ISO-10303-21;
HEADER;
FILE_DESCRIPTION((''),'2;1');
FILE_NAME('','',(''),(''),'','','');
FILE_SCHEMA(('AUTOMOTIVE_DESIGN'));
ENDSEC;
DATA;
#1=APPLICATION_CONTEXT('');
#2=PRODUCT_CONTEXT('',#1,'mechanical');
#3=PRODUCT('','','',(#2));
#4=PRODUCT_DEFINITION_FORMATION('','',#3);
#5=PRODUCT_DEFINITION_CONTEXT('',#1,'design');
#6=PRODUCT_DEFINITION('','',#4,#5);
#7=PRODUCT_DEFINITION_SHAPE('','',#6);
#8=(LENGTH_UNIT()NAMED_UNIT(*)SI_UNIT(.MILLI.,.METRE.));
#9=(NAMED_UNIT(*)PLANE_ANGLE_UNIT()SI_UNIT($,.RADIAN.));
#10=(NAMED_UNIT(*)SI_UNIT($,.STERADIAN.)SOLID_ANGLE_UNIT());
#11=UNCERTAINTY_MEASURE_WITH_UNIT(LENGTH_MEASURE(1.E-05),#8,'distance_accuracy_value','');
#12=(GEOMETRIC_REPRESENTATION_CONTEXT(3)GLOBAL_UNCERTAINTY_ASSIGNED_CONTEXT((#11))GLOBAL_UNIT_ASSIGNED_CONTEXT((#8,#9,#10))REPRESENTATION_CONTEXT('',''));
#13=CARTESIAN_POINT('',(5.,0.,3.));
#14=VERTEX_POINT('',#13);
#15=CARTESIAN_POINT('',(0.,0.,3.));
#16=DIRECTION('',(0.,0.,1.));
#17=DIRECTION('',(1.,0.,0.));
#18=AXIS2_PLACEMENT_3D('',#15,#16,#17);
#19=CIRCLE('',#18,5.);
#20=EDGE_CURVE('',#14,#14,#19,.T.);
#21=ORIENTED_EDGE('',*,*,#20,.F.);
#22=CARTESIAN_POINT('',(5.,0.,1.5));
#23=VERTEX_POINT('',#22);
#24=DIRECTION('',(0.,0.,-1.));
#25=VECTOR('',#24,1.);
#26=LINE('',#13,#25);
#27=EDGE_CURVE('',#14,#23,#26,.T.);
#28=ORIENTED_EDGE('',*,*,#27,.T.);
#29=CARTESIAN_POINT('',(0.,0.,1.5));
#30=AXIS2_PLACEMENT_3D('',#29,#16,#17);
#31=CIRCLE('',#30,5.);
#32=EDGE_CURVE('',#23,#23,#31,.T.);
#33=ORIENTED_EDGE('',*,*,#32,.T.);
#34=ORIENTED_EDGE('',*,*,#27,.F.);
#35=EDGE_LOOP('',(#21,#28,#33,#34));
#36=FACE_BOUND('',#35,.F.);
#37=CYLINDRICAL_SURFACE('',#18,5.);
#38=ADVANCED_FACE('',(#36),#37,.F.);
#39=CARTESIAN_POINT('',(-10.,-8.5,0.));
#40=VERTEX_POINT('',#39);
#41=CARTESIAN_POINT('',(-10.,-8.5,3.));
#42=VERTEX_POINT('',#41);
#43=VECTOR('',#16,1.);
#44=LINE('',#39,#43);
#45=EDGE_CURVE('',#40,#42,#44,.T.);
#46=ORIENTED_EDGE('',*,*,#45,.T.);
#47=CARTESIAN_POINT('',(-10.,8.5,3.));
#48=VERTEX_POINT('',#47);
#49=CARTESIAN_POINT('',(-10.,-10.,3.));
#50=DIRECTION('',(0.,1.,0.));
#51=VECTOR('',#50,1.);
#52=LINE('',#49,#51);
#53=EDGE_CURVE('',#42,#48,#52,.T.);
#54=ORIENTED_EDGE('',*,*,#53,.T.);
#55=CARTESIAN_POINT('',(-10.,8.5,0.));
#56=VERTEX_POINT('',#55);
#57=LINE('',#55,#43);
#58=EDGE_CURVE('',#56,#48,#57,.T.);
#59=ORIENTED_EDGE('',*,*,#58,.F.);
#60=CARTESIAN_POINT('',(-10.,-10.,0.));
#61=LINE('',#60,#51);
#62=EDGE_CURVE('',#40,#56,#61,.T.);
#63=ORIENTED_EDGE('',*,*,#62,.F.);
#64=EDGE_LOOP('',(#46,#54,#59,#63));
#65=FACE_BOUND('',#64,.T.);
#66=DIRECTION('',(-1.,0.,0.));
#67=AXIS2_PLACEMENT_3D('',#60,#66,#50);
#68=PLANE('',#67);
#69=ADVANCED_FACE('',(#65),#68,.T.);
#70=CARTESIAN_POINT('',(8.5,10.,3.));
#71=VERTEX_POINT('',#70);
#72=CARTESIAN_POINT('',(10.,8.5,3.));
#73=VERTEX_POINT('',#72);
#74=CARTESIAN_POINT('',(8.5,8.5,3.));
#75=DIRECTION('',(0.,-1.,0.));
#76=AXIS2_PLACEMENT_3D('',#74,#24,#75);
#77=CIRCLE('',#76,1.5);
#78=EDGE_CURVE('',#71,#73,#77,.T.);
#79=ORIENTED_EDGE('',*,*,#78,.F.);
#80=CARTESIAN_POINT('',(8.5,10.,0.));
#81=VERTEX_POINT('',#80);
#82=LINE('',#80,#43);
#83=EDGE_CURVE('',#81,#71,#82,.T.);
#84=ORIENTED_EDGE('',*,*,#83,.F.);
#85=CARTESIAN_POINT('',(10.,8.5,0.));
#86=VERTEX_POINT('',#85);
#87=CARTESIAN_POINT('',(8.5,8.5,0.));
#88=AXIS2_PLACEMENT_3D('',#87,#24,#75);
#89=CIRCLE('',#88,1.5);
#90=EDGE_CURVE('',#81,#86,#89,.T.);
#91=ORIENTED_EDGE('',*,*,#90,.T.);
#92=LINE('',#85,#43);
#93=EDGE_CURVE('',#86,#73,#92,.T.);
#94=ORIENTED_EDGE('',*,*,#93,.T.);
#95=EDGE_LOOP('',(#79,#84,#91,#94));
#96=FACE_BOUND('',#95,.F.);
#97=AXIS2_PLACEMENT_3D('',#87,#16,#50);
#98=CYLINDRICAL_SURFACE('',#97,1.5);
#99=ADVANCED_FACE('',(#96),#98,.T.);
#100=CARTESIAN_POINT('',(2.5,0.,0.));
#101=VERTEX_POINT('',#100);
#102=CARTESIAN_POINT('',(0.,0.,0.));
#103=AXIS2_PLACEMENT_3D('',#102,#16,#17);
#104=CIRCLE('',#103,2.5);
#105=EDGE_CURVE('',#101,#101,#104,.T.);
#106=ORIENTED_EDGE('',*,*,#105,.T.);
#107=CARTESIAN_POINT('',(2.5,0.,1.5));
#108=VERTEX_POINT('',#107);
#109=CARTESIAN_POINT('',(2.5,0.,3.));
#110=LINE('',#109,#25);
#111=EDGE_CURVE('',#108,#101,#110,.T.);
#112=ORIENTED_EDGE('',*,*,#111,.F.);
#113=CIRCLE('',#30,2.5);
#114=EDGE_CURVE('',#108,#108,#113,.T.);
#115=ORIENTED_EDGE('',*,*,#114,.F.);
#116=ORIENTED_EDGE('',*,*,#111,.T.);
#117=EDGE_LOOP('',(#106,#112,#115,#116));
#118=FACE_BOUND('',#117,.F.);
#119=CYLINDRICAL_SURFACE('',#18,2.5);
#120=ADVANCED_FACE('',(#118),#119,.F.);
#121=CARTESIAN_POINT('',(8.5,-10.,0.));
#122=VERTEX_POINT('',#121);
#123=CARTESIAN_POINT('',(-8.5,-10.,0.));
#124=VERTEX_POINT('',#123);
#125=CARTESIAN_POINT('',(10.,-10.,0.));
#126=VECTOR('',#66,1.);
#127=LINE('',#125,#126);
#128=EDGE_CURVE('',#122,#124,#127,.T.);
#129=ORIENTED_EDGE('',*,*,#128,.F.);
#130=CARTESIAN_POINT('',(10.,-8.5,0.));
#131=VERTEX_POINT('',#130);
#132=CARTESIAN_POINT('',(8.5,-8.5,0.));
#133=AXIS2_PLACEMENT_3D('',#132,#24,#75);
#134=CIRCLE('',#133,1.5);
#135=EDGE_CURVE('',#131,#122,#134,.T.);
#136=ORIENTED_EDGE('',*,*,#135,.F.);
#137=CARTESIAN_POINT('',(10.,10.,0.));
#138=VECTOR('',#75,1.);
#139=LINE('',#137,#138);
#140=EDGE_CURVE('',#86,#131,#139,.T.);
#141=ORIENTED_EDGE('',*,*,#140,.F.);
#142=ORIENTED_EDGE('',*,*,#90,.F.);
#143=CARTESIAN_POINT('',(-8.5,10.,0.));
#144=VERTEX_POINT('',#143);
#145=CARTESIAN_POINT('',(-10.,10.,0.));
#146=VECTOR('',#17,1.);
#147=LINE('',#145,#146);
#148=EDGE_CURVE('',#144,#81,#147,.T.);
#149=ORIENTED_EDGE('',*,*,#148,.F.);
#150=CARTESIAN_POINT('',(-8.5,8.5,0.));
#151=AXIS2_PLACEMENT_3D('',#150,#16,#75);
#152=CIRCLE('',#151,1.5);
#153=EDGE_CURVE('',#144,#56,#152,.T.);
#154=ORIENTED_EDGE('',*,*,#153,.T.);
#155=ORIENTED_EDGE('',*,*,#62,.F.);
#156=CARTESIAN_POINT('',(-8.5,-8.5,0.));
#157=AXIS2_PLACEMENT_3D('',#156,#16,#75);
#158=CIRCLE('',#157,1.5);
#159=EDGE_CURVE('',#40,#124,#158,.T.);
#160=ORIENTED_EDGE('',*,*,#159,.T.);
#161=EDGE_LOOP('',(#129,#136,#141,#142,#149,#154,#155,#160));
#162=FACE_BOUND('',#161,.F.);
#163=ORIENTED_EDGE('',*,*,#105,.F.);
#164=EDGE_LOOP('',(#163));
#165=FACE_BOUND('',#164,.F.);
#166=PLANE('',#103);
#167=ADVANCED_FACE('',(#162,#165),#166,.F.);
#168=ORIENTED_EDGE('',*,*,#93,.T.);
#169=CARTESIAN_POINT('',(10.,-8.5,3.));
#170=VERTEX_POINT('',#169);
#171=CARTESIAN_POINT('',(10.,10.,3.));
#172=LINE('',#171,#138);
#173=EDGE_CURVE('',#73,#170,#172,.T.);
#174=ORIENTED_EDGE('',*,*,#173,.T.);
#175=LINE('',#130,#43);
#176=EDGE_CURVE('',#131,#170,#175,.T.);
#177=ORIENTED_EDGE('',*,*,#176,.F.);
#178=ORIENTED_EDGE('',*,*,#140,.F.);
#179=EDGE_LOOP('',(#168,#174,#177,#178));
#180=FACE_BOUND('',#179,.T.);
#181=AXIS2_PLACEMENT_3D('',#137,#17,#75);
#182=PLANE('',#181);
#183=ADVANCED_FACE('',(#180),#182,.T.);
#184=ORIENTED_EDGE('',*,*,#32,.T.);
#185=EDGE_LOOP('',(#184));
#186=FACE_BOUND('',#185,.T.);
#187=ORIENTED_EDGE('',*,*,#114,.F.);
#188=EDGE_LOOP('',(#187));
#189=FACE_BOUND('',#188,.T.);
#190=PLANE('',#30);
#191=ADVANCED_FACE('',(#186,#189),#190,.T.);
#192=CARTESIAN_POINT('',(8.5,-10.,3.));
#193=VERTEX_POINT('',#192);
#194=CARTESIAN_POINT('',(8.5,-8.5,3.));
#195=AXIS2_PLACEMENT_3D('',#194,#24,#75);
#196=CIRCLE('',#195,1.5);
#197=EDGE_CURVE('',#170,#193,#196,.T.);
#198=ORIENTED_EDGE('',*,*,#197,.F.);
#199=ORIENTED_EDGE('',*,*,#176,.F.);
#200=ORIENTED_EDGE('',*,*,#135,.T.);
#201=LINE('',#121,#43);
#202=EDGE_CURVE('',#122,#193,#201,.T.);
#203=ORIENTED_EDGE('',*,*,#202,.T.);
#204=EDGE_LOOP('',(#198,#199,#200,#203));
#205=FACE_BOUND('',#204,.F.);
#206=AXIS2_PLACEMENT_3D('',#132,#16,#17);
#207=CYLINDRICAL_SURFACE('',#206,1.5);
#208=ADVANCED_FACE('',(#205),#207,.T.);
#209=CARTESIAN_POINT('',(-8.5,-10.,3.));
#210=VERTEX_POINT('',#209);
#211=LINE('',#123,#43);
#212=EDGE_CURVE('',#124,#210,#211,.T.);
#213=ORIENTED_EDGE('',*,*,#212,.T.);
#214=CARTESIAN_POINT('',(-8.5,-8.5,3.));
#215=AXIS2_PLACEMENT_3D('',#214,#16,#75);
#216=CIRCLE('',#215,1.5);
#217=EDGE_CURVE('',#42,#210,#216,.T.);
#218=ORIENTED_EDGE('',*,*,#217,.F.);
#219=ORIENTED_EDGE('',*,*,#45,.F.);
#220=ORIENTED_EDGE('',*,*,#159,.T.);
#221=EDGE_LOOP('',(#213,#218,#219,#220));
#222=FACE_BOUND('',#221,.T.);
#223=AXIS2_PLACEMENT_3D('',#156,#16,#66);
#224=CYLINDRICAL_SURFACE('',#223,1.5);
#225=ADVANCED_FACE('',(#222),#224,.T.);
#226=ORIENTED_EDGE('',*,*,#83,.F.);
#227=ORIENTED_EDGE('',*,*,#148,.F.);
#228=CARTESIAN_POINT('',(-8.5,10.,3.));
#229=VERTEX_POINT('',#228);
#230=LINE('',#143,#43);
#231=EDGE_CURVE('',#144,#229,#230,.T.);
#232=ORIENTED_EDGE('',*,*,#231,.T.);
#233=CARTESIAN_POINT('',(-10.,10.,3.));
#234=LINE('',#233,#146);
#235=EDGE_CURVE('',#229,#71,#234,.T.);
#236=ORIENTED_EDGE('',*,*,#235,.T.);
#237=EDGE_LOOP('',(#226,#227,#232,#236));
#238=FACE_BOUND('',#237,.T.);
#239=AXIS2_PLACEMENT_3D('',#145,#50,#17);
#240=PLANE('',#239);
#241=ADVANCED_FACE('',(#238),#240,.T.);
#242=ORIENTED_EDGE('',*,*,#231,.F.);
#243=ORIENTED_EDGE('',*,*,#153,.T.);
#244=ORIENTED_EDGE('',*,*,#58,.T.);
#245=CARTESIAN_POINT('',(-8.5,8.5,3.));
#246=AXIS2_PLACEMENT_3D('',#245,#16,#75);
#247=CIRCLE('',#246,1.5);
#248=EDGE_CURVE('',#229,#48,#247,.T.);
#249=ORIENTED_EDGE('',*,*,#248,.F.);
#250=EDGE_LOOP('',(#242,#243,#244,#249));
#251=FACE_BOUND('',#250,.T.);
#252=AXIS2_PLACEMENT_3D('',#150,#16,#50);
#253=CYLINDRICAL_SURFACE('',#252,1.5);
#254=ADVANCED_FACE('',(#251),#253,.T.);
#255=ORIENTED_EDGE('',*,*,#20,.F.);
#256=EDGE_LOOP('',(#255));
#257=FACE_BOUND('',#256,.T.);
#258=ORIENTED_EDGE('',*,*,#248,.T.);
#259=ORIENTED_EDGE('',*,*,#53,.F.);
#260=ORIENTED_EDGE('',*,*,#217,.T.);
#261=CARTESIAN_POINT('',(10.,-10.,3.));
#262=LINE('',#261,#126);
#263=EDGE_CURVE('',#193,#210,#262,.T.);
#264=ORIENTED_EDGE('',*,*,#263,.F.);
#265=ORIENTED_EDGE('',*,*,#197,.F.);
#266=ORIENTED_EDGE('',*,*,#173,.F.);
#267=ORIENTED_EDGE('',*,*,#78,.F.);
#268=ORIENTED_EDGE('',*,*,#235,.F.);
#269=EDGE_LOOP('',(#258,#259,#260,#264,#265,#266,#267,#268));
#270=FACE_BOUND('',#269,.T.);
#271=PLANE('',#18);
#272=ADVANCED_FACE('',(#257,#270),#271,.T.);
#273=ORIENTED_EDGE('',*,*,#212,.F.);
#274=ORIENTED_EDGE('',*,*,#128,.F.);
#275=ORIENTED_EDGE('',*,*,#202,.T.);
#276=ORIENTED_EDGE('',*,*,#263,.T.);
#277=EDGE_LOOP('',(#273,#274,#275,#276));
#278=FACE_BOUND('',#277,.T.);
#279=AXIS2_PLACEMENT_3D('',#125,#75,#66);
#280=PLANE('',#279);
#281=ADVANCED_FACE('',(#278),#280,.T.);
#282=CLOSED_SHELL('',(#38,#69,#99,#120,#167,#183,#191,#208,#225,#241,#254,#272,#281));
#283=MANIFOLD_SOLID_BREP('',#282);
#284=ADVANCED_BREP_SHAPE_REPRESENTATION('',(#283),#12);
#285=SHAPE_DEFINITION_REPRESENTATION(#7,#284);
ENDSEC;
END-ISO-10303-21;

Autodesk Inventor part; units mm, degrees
ref_plane "YZ Plane" through (0, 0, 0) normal (1, 0, 0) x (0, 1, 0)
ref_plane "XZ Plane" through (0, 0, 0) normal (0, 1, 0) x (-1, 0, 0)
ref_plane "XY Plane" through (0, 0, 0) normal (0, 0, 1) x (1, 0, 0)
sketch "Sketch1" plane through (0, 0, 0) normal (0, 0, 1) x (1, 0, 0)
  line L0 (-10, 10) -> (10, 10)
  line L1 (10, 10) -> (10, -10)
  line L2 (10, -10) -> (-10, -10)
  line L3 (-10, -10) -> (-10, 10)
  line L4 (-10, 10) -> (10, -10) construction
  line L5 (10, 10) -> (-10, -10) construction
  point P0 (0, 0)
  dimension "d0" = 20
  dimension "d1" = 20
extrude "Extrusion1" add sketch "Sketch1" along normal blind 3
sketch "Sketch2" plane through (0, 0, 3) normal (0, 0, 1) x (1, 0, 0)
  circle A0 centre (0, 0) radius 2.5
  circle A1 centre (0, 0) radius 5
  dimension "d4" = 5
  dimension "d5" = 10
extrude "Extrusion2" cut sketch "Sketch2" against normal through all contours A0
extrude "Extrusion3" cut sketch "Sketch2" against normal blind 1.5
fillet "Fillet1" radius 1.5 1 edges at (-10, 10, 1.5)
fillet "Fillet2" radius 1.5 3 edges at (10, 10, 1.5) (10, -10, 1.5) (-10, -10, 1.5)
properties part number "End Cap" material "Aluminum 6061"
